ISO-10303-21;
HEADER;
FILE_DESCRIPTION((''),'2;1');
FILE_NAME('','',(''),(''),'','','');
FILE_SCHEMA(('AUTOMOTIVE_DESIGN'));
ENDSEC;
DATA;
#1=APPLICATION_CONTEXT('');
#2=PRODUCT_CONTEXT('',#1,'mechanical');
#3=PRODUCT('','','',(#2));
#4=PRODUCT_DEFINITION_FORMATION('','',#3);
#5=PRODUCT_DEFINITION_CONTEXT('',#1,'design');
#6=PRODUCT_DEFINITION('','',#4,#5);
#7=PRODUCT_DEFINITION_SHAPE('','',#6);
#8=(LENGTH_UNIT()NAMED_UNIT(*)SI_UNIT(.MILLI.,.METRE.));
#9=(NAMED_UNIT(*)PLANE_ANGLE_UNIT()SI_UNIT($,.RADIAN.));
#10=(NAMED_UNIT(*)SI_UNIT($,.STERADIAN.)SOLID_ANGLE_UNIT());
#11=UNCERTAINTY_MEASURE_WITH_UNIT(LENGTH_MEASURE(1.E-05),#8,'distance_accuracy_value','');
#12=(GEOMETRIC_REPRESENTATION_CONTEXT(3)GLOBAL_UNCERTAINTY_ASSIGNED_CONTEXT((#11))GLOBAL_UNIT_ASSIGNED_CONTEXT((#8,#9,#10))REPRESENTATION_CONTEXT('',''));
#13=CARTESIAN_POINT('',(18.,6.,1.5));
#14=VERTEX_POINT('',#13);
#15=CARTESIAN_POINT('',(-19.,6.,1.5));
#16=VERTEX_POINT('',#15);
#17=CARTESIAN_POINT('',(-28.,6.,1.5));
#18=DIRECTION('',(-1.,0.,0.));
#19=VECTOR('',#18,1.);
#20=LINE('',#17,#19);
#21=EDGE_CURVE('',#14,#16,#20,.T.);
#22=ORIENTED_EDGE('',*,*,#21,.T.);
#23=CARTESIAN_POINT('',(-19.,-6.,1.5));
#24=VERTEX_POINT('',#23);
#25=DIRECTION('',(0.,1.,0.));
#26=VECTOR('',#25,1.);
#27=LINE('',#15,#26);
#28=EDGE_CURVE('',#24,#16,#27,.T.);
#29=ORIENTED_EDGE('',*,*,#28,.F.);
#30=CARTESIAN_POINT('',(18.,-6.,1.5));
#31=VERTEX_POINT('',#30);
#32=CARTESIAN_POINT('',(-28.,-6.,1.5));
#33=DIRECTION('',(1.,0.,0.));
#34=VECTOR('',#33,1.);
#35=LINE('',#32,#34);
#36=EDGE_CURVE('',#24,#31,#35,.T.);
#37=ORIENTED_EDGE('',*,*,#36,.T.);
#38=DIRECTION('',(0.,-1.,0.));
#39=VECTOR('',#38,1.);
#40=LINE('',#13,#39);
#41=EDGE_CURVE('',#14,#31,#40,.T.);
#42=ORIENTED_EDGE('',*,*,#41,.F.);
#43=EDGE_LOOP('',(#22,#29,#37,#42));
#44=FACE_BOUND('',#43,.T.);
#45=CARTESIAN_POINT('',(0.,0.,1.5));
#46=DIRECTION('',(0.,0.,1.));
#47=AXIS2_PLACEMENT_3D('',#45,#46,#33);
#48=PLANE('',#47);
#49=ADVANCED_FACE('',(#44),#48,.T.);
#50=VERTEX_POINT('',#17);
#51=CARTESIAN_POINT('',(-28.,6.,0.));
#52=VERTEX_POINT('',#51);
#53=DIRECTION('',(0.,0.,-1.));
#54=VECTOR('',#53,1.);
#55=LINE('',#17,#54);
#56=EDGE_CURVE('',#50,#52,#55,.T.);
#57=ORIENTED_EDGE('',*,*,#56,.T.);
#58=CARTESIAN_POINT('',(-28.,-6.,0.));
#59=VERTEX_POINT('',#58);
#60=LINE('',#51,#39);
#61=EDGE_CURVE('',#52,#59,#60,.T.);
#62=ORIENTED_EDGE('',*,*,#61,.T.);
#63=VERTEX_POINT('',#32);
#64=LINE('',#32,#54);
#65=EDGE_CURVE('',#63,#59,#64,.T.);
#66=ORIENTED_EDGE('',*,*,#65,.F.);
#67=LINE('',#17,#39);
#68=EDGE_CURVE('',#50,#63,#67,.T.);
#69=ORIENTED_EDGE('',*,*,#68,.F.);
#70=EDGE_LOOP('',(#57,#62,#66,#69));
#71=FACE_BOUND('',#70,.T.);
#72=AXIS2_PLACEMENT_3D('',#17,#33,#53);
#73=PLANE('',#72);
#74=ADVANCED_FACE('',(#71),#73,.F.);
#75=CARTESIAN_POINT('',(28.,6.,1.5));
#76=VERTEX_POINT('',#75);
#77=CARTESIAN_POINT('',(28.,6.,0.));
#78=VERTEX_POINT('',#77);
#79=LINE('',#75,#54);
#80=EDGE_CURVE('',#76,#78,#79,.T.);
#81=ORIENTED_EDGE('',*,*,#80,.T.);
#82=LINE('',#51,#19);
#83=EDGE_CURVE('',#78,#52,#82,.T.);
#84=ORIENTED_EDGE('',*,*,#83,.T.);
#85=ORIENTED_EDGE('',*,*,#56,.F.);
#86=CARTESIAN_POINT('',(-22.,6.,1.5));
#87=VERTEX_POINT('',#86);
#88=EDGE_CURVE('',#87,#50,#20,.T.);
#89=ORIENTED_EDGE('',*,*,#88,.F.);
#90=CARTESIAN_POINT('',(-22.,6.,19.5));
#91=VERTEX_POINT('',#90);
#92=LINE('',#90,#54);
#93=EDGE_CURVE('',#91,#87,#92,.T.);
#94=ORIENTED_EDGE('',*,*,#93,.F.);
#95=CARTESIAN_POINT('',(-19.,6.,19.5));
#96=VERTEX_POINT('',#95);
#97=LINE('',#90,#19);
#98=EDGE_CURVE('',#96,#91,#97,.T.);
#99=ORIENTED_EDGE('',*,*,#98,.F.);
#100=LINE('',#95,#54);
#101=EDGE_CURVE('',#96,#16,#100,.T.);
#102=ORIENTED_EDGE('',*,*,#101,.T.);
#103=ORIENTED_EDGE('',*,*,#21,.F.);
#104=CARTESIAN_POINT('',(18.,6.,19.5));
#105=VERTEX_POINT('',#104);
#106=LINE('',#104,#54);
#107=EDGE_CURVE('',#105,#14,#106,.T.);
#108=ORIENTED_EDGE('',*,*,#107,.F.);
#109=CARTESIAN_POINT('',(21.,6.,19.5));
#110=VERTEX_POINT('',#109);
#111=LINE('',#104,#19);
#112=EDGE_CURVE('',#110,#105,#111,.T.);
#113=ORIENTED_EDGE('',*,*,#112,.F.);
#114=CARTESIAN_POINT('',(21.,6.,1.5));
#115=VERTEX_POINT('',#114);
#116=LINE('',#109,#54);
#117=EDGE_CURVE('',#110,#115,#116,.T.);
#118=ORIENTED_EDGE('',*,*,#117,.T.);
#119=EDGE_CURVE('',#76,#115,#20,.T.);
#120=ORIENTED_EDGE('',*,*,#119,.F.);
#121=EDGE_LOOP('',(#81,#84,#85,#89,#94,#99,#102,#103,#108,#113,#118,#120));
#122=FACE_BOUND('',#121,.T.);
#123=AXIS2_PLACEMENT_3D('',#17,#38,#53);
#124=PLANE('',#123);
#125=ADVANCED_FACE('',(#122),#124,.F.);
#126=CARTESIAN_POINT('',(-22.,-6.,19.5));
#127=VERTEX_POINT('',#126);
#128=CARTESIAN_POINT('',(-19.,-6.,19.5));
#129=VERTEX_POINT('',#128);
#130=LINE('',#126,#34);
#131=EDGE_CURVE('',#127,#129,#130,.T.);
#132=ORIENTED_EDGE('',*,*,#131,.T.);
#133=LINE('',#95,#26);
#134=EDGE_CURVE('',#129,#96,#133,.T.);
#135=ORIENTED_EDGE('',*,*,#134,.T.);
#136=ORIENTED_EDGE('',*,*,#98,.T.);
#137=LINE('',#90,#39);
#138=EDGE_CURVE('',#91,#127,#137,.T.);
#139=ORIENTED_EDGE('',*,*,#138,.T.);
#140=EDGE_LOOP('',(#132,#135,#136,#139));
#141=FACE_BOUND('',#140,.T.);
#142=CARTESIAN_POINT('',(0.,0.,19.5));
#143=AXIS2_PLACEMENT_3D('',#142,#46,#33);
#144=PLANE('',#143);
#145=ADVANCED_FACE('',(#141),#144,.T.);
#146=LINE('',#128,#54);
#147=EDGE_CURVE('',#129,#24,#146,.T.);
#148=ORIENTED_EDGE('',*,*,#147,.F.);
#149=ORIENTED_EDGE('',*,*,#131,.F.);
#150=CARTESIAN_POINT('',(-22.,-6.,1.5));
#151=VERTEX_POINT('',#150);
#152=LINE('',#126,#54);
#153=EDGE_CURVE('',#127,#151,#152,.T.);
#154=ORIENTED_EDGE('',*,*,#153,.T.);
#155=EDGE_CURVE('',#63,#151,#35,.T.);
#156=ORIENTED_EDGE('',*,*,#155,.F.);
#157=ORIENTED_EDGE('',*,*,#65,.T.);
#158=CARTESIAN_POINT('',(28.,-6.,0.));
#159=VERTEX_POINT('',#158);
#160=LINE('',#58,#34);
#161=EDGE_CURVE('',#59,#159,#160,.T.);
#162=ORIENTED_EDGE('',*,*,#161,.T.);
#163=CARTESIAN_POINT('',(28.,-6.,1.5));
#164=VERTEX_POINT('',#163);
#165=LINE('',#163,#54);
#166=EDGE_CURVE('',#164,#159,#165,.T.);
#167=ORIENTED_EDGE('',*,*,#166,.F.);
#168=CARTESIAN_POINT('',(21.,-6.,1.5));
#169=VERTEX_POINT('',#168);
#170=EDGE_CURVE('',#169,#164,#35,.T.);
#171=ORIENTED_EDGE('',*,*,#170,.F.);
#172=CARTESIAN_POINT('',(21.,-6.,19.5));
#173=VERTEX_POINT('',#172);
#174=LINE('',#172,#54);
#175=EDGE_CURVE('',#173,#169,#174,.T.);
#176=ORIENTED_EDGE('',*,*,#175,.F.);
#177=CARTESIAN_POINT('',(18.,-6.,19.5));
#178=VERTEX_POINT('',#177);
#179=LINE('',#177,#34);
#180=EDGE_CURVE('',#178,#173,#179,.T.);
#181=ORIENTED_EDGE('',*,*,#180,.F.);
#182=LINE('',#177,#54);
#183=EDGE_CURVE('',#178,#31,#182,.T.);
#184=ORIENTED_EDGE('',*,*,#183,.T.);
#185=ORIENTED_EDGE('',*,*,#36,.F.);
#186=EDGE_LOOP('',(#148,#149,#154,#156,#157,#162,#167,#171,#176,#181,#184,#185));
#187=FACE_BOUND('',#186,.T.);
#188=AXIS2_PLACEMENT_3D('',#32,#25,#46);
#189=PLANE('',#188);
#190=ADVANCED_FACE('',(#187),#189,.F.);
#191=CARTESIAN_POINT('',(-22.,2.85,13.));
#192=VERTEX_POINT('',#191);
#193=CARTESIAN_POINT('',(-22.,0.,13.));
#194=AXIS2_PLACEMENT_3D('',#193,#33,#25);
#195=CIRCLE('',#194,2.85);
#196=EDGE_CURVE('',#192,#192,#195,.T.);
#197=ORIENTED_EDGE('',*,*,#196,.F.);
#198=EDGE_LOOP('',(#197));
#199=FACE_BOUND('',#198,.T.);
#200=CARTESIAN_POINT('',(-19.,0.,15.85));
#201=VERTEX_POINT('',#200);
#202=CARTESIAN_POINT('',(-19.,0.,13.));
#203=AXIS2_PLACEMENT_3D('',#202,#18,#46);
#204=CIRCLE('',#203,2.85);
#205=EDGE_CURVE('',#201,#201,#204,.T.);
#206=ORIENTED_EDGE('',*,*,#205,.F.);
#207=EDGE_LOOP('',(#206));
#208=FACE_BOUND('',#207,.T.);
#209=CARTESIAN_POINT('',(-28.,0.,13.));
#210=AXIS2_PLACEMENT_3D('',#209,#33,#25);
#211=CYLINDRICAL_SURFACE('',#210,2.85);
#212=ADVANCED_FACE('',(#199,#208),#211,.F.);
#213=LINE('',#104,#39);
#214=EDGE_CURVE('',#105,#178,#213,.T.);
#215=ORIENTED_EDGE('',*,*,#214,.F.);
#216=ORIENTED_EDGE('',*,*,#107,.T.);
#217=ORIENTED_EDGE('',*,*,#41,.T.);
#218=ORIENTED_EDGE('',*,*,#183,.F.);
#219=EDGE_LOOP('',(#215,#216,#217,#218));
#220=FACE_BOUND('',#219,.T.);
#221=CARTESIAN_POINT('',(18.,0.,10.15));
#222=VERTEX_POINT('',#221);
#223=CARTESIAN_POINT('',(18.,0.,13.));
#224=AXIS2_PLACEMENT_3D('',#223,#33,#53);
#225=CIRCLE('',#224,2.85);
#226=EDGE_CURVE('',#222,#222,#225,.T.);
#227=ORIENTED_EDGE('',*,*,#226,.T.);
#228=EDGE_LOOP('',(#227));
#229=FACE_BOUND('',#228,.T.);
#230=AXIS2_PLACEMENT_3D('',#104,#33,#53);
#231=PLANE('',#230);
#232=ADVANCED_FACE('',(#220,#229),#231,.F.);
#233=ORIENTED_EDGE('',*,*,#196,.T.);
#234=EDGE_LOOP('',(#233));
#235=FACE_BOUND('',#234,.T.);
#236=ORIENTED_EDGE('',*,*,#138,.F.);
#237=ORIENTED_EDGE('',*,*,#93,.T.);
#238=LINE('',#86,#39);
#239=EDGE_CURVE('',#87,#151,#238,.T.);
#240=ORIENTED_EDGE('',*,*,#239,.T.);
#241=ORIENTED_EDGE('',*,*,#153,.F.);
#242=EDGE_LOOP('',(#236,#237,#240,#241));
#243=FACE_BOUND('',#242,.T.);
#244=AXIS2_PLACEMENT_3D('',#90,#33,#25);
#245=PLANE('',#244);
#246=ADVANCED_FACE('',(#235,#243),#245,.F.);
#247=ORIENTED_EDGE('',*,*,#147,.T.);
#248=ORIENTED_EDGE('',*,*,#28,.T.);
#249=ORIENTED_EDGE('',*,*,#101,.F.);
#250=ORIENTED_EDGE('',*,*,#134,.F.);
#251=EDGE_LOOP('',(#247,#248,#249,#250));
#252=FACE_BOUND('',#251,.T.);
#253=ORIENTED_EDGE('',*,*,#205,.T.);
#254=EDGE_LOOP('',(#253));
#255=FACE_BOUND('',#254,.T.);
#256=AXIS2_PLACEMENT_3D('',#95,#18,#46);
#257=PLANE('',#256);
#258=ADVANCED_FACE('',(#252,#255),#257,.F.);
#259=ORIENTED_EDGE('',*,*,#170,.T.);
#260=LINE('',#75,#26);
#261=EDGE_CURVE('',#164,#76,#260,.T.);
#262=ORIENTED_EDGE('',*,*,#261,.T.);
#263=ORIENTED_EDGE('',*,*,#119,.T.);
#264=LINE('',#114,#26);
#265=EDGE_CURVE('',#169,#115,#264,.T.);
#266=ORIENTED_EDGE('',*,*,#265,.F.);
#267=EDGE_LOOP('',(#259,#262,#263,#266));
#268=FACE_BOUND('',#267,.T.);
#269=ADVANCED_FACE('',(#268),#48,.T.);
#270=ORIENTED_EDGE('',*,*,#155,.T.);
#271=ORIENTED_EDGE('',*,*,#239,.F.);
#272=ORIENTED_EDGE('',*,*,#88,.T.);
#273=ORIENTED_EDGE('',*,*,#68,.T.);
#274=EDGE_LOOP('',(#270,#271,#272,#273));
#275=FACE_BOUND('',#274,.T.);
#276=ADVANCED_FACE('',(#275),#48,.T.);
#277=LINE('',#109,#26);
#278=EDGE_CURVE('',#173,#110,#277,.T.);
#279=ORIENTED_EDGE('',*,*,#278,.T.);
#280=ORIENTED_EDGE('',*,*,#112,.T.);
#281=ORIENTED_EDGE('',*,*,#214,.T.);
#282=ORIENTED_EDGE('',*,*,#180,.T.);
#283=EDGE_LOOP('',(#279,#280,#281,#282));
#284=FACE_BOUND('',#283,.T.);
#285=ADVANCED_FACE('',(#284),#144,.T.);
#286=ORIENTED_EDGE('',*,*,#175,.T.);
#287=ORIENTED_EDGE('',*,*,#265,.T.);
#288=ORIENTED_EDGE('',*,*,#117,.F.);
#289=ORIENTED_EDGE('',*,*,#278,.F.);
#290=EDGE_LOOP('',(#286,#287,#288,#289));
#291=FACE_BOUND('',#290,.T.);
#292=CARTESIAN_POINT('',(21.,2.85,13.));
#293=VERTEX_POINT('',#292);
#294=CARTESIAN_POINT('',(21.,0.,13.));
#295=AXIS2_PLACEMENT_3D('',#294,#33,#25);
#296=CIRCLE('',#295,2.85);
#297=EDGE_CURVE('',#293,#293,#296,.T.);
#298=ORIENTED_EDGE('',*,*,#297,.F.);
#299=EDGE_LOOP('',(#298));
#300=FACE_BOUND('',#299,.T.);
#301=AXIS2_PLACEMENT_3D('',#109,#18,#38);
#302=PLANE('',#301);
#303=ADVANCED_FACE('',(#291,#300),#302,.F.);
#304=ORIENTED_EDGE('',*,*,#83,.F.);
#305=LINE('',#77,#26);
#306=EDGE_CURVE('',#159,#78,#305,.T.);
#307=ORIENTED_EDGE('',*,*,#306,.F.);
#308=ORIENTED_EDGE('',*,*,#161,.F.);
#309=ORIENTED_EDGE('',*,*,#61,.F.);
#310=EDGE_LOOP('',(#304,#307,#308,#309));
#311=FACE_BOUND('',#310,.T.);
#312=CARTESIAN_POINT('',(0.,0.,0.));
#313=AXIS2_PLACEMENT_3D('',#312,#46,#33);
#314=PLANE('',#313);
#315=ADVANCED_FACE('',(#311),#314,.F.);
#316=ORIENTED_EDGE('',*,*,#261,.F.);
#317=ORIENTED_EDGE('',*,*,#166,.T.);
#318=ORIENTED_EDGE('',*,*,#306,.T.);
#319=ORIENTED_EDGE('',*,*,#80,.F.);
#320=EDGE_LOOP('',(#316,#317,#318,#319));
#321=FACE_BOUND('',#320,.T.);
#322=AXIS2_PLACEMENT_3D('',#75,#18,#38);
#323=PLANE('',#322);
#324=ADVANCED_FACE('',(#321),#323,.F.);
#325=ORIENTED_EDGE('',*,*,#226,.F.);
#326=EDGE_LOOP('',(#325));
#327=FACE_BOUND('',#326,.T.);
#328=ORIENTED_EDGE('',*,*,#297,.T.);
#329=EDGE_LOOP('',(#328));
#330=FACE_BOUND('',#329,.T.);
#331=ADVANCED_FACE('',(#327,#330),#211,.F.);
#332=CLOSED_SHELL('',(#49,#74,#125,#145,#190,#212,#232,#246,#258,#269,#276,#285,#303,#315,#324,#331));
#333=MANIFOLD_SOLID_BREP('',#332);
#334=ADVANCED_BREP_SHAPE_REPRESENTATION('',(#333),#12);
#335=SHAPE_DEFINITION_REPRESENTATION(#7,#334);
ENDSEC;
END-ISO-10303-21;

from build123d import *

# Parameters (mm, degrees)
SKETCH_2_W          = 56
SKETCH_2_H          = 12
EXTRUDE_1_DEPTH     = 1.5
SKETCH_3_W          = 3
SKETCH_3_H          = 12
EXTRUDE_2_DEPTH     = 18
SKETCH_4_R          = 2.85
CUT_EXTRUDE_1_DEPTH = 54.077773126


with BuildPart() as part:
    # 草图2 → 凸台-拉伸1 (new body)
    with BuildSketch(Plane.XY):
        Rectangle(SKETCH_2_W, SKETCH_2_H)
    extrude(amount=EXTRUDE_1_DEPTH)

    # 草图3 → 凸台-拉伸2 (add)
    with BuildSketch(Plane.XY.offset(1.5)):
        with Locations((-20.5, 0)):
            Rectangle(SKETCH_3_W, SKETCH_3_H)
        with Locations((19.5, 0)):
            Rectangle(SKETCH_3_W, SKETCH_3_H)
    extrude(amount=EXTRUDE_2_DEPTH)

    # 草图4 → 切除-拉伸1 (cut, through all)
    with BuildSketch(Plane(origin=(21, 0, 0), x_dir=(0, 0, -1), z_dir=(1, 0, 0))):
        with Locations(Location((-13, 0, 0), (0, 0, 90))):
            Circle(SKETCH_4_R)
    extrude(amount=-CUT_EXTRUDE_1_DEPTH, mode=Mode.SUBTRACT)


solid = part.part
